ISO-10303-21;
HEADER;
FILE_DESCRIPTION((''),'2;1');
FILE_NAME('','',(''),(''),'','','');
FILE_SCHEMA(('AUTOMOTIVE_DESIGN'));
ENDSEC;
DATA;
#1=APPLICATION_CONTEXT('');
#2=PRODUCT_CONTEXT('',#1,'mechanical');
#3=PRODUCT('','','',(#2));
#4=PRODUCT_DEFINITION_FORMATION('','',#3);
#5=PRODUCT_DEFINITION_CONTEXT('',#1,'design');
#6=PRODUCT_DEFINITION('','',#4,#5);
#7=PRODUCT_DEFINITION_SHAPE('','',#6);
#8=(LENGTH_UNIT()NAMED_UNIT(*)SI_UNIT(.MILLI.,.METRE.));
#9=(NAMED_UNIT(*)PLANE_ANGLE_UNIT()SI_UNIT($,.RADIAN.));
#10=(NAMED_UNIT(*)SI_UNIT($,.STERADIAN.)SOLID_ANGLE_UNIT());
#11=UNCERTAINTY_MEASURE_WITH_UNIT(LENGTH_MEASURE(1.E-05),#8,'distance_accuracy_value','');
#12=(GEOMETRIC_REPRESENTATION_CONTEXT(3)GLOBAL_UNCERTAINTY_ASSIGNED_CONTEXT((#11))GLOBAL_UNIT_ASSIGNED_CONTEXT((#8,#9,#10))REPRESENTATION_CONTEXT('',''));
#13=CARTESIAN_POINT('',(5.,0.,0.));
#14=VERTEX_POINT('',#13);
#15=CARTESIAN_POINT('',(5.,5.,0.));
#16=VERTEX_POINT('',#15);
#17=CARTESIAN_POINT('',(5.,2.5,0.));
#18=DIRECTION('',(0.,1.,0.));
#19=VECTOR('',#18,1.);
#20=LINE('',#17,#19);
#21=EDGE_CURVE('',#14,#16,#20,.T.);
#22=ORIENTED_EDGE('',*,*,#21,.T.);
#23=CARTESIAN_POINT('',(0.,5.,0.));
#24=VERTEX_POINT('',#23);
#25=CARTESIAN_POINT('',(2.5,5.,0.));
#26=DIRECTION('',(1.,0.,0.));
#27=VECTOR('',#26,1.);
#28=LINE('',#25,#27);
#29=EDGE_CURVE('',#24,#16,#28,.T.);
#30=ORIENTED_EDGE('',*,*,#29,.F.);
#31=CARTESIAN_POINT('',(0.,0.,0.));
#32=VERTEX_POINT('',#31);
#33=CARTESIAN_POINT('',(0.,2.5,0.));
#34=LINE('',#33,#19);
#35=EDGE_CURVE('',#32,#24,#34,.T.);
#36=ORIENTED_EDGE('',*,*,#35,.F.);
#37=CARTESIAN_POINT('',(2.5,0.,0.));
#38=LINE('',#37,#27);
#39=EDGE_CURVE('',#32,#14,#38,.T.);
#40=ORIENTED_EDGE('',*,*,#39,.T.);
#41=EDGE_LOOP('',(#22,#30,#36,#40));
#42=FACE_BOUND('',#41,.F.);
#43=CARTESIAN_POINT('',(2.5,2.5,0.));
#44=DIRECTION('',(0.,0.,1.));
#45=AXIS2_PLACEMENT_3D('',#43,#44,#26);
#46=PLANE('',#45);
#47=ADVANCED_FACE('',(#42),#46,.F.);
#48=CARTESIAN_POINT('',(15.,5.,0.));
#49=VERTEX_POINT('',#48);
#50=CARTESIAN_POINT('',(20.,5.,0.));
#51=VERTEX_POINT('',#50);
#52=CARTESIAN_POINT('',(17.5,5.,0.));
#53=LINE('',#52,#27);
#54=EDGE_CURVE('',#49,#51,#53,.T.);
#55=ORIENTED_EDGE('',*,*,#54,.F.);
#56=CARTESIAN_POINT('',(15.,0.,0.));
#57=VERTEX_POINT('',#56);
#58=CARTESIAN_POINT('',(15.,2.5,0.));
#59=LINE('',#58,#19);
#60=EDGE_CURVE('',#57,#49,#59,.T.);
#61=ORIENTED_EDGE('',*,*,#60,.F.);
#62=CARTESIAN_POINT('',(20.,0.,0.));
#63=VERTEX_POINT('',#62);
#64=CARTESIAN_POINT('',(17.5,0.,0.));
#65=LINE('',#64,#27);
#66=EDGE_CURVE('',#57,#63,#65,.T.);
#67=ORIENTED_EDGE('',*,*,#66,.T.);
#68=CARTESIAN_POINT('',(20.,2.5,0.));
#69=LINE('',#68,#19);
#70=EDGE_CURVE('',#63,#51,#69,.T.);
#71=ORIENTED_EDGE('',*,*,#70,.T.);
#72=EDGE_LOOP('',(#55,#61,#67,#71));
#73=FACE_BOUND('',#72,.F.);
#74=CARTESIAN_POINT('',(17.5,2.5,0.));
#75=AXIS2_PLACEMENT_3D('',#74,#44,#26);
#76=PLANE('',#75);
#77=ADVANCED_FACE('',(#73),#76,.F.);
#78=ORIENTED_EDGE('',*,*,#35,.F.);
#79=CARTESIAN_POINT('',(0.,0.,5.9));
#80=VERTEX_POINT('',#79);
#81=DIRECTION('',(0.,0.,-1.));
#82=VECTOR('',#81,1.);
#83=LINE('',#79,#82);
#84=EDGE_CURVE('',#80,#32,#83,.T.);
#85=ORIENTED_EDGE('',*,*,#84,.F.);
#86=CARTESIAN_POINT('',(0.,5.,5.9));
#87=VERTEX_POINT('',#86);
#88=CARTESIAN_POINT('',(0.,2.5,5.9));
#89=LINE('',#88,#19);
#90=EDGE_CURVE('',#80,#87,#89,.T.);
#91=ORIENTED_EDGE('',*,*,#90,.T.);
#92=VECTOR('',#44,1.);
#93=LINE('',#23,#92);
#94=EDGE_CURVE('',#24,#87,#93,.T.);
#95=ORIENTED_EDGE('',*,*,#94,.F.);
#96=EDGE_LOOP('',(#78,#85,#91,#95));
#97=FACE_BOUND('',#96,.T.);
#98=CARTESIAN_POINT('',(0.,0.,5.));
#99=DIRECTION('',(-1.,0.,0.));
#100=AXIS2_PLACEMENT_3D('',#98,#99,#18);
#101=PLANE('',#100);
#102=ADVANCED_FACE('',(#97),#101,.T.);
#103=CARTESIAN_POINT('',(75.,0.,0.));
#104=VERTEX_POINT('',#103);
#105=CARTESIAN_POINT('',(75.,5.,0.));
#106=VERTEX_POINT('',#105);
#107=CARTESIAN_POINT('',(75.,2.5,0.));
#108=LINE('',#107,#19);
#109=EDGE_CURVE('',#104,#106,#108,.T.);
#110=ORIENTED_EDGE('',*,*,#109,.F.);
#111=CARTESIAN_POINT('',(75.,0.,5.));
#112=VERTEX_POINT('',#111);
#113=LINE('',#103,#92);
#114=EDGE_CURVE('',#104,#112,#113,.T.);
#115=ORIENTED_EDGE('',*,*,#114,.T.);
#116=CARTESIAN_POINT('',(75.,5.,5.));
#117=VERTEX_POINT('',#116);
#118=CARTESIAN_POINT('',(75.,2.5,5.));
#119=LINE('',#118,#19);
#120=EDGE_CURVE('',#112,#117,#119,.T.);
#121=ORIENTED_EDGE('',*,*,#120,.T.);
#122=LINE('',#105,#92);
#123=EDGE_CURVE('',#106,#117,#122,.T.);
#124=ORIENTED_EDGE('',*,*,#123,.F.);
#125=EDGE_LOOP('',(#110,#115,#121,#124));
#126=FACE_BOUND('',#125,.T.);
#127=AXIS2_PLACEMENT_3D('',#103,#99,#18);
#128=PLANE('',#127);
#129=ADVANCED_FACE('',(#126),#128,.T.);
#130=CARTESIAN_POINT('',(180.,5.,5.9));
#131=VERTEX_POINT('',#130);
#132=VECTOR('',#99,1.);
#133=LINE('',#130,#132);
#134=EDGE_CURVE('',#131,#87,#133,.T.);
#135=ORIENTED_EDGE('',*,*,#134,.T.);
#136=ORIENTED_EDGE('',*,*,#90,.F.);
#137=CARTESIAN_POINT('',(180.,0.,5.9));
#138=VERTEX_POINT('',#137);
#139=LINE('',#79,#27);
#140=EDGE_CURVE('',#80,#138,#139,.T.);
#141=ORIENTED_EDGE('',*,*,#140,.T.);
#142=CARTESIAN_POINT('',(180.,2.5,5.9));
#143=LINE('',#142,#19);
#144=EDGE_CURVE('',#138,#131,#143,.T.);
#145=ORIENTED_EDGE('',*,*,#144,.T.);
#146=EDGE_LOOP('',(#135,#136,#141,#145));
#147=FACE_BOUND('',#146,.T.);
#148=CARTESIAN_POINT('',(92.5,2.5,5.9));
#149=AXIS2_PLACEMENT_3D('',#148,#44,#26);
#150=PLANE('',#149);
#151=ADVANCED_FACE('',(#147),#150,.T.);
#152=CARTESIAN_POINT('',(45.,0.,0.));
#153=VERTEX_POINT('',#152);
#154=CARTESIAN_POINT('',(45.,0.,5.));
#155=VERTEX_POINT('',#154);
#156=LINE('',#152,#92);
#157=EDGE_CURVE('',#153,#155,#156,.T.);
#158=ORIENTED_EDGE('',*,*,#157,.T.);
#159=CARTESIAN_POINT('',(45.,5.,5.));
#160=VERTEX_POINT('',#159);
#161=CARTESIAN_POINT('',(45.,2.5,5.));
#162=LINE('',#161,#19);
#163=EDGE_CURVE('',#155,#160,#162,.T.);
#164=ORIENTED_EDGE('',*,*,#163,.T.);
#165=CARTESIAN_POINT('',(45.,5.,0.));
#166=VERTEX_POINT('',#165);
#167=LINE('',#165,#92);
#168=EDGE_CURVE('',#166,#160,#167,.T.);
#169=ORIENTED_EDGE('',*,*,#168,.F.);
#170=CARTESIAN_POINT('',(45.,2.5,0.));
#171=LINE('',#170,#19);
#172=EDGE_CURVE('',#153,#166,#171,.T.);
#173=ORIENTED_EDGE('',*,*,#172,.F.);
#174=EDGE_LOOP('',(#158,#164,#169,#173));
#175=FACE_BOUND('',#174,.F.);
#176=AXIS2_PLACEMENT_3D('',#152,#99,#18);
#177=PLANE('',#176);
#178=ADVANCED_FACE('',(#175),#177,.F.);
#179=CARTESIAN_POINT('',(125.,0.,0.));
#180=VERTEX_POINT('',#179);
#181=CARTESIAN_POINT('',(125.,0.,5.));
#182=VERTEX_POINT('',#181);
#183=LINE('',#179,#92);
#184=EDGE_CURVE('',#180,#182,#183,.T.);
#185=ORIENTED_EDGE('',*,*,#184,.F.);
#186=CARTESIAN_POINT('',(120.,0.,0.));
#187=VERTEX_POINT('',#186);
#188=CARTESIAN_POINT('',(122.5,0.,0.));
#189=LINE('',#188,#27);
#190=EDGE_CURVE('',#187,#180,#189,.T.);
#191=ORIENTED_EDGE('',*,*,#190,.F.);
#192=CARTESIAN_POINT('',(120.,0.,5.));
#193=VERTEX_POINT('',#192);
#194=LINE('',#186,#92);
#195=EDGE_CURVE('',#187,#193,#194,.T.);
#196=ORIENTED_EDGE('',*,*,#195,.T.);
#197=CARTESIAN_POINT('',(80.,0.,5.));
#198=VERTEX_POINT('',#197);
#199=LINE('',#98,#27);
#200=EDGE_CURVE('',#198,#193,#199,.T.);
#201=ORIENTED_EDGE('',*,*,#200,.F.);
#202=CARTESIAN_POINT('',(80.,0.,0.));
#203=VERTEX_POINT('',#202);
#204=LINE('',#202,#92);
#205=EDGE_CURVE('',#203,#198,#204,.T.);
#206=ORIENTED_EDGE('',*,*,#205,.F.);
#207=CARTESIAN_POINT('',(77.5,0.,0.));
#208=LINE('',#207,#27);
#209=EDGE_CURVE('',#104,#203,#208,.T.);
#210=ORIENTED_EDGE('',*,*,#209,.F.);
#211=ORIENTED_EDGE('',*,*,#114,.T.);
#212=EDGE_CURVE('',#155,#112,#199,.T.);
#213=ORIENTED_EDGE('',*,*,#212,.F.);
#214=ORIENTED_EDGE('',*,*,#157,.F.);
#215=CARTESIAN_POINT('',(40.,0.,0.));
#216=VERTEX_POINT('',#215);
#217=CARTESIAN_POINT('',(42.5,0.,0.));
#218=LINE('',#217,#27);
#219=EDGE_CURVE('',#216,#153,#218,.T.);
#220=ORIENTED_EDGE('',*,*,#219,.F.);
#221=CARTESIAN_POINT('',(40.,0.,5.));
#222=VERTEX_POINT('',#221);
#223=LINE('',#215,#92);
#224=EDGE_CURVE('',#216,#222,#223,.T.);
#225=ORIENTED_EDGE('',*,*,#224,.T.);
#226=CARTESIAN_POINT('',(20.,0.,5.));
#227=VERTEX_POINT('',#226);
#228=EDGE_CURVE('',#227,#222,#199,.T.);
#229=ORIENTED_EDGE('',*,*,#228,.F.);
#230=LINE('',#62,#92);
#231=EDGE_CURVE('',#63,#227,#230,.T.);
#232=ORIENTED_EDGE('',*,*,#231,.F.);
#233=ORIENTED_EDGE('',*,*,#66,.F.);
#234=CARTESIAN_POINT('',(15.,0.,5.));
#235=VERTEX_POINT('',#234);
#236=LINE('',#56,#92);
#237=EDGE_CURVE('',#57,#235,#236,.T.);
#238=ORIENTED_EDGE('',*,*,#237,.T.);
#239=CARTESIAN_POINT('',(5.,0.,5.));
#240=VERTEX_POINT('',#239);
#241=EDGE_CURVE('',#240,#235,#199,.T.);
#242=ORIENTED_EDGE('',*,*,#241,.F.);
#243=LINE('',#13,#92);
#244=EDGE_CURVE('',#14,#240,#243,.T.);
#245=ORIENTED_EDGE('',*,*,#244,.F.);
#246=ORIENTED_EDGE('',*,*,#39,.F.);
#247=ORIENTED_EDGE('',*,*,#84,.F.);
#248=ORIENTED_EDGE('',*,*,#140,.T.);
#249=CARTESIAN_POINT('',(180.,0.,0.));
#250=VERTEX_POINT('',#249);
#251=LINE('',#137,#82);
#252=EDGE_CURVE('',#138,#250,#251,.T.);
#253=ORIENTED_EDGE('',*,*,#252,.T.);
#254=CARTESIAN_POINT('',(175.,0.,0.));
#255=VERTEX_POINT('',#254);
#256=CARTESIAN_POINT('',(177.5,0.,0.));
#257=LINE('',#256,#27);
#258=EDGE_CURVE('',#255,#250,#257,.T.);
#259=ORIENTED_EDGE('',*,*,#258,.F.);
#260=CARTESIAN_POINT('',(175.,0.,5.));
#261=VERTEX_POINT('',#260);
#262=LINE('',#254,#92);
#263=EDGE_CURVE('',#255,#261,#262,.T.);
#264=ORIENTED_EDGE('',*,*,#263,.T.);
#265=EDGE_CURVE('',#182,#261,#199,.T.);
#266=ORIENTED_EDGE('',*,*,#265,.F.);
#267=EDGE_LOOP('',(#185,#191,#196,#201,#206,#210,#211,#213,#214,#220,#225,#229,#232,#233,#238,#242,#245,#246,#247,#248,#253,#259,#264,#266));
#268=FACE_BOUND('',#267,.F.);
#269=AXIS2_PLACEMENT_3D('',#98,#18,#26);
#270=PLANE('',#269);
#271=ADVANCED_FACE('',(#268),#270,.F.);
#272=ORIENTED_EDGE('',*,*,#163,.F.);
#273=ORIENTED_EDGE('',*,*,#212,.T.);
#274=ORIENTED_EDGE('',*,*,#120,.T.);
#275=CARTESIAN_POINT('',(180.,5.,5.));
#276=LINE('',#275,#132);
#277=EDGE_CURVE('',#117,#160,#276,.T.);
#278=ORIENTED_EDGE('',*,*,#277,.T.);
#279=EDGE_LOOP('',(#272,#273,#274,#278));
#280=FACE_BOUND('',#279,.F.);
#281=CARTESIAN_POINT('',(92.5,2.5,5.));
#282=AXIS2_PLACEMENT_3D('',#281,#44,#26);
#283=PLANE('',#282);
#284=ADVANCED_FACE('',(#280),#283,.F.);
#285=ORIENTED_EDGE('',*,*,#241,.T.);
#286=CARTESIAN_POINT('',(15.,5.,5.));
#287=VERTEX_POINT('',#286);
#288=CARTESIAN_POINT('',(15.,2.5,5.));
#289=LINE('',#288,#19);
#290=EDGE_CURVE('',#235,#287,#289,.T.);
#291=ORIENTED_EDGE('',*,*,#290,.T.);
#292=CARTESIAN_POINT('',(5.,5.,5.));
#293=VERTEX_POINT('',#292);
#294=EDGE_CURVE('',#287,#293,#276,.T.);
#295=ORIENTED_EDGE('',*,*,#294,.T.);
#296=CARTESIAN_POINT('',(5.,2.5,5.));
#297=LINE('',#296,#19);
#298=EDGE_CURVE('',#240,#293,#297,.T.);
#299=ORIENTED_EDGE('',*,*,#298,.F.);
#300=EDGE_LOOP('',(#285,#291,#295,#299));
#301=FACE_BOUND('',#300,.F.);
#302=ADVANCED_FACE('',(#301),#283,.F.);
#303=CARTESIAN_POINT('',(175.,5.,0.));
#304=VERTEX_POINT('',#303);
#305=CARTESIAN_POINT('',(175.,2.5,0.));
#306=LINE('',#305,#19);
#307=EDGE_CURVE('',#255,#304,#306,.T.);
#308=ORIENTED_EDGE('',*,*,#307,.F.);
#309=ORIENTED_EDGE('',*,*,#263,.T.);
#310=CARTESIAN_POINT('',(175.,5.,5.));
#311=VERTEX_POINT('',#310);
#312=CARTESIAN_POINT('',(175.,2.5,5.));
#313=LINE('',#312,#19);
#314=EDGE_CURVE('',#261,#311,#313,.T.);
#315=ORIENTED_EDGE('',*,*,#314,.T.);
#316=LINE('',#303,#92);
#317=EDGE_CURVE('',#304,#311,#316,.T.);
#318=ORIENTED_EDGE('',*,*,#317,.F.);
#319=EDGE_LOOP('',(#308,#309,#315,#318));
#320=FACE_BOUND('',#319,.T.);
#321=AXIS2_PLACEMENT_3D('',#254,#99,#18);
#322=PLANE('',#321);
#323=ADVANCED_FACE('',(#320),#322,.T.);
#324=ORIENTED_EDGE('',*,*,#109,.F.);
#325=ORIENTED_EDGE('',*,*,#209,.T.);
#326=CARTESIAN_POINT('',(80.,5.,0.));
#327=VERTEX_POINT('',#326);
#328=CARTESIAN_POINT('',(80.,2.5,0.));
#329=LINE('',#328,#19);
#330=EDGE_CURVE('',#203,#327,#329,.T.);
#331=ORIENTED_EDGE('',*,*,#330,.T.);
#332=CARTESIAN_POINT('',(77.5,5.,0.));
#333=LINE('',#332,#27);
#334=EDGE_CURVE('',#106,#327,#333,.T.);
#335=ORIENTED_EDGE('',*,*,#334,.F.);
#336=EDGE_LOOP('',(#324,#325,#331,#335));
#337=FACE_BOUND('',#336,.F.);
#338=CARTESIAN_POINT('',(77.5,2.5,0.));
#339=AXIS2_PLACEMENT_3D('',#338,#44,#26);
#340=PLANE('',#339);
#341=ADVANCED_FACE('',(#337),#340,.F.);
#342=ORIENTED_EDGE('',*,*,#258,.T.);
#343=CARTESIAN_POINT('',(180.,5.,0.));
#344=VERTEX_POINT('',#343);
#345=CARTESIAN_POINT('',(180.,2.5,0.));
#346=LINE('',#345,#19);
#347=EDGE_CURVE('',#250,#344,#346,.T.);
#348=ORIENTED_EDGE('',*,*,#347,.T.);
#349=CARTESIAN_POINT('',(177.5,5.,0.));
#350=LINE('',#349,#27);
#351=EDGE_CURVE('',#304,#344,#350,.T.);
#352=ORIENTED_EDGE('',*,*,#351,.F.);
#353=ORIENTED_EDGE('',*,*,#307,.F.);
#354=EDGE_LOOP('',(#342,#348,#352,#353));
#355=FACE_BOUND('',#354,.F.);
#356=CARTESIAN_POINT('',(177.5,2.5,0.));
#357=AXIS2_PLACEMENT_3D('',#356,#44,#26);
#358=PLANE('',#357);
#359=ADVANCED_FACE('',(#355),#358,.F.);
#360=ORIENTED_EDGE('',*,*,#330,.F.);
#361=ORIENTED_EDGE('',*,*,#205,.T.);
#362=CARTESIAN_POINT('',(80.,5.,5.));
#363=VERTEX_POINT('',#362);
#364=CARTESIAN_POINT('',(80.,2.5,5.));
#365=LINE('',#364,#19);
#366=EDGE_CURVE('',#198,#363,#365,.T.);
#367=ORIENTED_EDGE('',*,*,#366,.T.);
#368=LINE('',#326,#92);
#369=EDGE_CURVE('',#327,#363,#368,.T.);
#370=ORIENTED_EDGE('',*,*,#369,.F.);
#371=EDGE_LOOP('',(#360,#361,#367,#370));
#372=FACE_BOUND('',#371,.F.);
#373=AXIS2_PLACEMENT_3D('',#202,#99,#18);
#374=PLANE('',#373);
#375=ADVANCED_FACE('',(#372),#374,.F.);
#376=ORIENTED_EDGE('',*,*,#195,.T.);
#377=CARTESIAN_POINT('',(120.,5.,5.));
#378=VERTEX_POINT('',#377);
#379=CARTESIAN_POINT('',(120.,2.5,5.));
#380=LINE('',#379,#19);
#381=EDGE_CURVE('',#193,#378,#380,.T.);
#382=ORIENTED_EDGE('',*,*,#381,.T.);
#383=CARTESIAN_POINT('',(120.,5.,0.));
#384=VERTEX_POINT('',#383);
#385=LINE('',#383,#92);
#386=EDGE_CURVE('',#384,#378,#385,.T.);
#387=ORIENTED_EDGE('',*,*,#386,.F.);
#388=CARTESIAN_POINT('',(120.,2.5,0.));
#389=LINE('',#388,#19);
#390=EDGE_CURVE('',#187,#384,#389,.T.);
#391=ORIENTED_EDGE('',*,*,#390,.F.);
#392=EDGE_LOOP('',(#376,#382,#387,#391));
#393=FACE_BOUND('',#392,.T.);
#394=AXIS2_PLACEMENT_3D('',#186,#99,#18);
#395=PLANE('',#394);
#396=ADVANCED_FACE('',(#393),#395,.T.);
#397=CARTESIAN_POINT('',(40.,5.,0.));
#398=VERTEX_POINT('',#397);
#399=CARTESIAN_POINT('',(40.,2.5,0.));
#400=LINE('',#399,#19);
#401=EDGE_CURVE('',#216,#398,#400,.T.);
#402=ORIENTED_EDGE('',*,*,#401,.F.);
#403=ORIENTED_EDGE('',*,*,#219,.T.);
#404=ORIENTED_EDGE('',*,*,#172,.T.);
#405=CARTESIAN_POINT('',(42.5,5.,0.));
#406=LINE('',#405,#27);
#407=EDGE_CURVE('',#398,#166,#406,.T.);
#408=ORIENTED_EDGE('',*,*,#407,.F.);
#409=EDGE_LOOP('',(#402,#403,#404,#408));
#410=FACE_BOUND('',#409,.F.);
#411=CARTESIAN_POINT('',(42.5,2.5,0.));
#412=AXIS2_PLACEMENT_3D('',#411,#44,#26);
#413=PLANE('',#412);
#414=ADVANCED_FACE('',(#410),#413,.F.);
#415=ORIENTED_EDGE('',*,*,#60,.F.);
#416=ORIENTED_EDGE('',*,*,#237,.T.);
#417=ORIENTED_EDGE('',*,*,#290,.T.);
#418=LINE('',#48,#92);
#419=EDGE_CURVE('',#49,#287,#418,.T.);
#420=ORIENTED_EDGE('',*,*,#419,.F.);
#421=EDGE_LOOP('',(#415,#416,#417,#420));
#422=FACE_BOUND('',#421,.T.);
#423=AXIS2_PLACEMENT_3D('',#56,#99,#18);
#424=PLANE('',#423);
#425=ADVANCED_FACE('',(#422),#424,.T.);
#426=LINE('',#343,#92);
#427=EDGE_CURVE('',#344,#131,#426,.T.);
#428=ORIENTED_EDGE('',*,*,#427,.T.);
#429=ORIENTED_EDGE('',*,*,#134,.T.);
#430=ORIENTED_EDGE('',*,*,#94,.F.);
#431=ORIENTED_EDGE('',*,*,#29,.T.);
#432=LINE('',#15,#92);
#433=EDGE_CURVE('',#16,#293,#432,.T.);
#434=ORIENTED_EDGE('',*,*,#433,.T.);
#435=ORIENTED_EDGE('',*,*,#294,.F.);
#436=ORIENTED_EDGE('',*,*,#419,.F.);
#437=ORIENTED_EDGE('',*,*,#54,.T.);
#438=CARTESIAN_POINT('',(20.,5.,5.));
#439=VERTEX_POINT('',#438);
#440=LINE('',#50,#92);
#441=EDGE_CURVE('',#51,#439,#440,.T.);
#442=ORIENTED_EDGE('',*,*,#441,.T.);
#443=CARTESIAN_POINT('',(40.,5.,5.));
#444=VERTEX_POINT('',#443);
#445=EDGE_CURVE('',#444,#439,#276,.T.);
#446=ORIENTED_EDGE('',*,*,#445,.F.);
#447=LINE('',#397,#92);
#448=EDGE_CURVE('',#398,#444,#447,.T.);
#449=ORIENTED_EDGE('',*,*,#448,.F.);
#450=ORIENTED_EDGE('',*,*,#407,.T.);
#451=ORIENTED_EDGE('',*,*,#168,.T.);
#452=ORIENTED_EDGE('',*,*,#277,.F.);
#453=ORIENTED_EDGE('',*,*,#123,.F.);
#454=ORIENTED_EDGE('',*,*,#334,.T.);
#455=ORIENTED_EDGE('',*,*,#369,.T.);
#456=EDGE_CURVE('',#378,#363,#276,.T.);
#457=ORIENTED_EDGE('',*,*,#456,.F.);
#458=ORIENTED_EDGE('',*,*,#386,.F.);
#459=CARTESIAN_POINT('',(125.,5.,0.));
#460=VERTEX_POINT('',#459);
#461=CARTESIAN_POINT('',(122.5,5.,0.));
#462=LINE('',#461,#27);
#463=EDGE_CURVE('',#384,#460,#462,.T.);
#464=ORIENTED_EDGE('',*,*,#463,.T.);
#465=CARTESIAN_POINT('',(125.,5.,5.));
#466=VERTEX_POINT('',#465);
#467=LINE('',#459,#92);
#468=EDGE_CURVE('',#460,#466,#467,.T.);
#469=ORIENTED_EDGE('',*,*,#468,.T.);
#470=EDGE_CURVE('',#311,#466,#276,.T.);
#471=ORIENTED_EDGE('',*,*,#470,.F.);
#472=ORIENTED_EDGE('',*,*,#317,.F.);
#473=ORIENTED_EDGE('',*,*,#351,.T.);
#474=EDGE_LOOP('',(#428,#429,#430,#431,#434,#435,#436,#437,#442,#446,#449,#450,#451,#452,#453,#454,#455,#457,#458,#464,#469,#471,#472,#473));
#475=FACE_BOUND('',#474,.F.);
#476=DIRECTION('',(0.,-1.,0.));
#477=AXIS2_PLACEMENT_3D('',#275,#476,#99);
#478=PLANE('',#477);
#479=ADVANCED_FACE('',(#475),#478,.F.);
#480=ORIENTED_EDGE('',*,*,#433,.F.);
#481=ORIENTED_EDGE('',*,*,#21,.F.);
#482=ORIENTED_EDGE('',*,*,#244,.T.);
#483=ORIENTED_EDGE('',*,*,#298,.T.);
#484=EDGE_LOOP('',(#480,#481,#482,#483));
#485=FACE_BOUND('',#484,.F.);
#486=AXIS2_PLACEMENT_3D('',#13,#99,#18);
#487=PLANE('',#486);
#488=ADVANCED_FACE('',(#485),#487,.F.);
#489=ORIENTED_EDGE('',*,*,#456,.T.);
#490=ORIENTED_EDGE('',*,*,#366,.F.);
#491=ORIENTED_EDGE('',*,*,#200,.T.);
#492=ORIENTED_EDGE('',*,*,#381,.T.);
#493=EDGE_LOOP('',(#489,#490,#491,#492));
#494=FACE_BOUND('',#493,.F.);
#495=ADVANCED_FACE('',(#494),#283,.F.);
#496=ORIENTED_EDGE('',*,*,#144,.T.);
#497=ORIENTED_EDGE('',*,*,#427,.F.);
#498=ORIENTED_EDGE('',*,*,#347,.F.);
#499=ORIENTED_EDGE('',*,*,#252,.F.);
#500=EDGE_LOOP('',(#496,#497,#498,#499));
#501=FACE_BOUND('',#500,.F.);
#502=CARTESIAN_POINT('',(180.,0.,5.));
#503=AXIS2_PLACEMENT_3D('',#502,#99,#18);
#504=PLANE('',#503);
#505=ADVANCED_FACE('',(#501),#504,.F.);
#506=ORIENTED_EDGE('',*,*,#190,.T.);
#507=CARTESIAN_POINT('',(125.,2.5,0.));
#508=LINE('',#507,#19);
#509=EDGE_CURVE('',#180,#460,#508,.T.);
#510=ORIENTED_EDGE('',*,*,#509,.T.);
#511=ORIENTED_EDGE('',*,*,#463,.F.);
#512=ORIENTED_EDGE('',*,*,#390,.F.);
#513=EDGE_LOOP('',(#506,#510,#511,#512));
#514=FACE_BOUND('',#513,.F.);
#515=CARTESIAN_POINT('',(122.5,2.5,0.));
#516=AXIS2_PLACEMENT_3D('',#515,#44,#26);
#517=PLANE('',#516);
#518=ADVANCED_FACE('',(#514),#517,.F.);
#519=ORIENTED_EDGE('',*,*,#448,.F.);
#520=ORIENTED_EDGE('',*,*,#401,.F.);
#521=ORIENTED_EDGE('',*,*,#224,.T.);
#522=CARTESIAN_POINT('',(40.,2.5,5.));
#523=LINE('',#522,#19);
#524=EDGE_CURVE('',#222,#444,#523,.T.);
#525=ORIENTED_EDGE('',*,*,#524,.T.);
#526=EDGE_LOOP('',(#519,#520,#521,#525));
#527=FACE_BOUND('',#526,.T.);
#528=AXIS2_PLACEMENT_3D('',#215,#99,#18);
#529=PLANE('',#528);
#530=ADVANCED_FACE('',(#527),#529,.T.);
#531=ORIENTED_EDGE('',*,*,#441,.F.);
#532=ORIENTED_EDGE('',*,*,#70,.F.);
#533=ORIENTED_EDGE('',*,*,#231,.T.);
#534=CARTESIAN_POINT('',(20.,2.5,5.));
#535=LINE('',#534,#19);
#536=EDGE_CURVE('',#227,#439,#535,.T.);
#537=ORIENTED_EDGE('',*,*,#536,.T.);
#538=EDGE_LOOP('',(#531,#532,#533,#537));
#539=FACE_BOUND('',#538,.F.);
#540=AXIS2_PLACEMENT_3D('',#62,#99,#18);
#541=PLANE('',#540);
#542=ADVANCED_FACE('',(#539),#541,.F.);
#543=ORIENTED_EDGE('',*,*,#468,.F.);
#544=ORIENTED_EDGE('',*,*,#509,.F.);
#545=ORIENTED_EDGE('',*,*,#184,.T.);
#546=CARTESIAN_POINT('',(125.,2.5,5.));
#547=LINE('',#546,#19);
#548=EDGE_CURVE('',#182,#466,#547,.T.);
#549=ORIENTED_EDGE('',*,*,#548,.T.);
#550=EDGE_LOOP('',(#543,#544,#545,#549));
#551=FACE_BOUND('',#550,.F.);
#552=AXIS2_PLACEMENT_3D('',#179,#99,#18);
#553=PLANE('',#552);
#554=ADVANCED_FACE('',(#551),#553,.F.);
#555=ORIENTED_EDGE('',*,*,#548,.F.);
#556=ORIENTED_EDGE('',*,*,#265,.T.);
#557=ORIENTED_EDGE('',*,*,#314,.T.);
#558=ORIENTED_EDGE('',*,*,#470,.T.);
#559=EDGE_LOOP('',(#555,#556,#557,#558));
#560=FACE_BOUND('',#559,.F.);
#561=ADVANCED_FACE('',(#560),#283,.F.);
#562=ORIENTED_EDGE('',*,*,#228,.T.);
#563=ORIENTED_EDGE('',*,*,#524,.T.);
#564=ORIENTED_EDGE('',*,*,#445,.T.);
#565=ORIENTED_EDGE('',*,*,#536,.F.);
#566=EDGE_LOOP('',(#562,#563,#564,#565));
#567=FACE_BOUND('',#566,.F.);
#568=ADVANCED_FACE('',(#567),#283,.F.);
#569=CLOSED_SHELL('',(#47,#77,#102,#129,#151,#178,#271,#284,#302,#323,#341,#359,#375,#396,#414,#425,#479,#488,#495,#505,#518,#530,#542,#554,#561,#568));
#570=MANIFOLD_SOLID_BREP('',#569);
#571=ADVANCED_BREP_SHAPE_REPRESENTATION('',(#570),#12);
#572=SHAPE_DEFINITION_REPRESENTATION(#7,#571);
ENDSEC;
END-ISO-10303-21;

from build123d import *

# Parameters (mm, degrees)
F0_W     = 5
F0_H     = 5
F1_DEPTH = 5
F7_W     = 175
F7_H     = 5
F7_W_2   = 5
F8_DEPTH = 0.9


with BuildPart() as f1:
    # F0 (on Top) → F1 (new body)
    with BuildSketch(Plane.XY):
        with Locations((2.5, 2.5)):
            Rectangle(F0_W, F0_H)
    extrude(amount=F1_DEPTH)



with BuildPart() as f2_1:
    # F2: copy of F1
    add(f1.part.moved(Location((15, 0, 0))))


with BuildPart() as f3_1:
    # F3: copy of F2_1
    add(f2_1.part.moved(Location((25, 0, 0))))


with BuildPart() as f4_1:
    # F4: copy of F3_1
    add(f3_1.part.moved(Location((35, 0, 0))))


with BuildPart() as f5_1:
    # F5: copy of F4_1
    add(f4_1.part.moved(Location((45, 0, 0))))


with BuildPart() as f6_1:
    # F6: copy of F5_1
    add(f5_1.part.moved(Location((55, 0, 0))))


with BuildPart() as f1_1:
    add(f1.part)

    add(f2_1.part)  # F8 merges F2_1

    add(f3_1.part)  # F8 merges F3_1

    add(f4_1.part)  # F8 merges F4_1

    add(f5_1.part)  # F8 merges F5_1

    add(f6_1.part)  # F8 merges F6_1
    # F7 (on face) → F8 (join)
    with BuildSketch(Plane.XY.offset(5)):
        with Locations((92.5, 2.5)):
            Rectangle(F7_W, F7_H)
        with Locations((2.5, 2.5)):
            Rectangle(F7_W_2, F7_H)
    extrude(amount=F8_DEPTH)


solid = f1_1.part
